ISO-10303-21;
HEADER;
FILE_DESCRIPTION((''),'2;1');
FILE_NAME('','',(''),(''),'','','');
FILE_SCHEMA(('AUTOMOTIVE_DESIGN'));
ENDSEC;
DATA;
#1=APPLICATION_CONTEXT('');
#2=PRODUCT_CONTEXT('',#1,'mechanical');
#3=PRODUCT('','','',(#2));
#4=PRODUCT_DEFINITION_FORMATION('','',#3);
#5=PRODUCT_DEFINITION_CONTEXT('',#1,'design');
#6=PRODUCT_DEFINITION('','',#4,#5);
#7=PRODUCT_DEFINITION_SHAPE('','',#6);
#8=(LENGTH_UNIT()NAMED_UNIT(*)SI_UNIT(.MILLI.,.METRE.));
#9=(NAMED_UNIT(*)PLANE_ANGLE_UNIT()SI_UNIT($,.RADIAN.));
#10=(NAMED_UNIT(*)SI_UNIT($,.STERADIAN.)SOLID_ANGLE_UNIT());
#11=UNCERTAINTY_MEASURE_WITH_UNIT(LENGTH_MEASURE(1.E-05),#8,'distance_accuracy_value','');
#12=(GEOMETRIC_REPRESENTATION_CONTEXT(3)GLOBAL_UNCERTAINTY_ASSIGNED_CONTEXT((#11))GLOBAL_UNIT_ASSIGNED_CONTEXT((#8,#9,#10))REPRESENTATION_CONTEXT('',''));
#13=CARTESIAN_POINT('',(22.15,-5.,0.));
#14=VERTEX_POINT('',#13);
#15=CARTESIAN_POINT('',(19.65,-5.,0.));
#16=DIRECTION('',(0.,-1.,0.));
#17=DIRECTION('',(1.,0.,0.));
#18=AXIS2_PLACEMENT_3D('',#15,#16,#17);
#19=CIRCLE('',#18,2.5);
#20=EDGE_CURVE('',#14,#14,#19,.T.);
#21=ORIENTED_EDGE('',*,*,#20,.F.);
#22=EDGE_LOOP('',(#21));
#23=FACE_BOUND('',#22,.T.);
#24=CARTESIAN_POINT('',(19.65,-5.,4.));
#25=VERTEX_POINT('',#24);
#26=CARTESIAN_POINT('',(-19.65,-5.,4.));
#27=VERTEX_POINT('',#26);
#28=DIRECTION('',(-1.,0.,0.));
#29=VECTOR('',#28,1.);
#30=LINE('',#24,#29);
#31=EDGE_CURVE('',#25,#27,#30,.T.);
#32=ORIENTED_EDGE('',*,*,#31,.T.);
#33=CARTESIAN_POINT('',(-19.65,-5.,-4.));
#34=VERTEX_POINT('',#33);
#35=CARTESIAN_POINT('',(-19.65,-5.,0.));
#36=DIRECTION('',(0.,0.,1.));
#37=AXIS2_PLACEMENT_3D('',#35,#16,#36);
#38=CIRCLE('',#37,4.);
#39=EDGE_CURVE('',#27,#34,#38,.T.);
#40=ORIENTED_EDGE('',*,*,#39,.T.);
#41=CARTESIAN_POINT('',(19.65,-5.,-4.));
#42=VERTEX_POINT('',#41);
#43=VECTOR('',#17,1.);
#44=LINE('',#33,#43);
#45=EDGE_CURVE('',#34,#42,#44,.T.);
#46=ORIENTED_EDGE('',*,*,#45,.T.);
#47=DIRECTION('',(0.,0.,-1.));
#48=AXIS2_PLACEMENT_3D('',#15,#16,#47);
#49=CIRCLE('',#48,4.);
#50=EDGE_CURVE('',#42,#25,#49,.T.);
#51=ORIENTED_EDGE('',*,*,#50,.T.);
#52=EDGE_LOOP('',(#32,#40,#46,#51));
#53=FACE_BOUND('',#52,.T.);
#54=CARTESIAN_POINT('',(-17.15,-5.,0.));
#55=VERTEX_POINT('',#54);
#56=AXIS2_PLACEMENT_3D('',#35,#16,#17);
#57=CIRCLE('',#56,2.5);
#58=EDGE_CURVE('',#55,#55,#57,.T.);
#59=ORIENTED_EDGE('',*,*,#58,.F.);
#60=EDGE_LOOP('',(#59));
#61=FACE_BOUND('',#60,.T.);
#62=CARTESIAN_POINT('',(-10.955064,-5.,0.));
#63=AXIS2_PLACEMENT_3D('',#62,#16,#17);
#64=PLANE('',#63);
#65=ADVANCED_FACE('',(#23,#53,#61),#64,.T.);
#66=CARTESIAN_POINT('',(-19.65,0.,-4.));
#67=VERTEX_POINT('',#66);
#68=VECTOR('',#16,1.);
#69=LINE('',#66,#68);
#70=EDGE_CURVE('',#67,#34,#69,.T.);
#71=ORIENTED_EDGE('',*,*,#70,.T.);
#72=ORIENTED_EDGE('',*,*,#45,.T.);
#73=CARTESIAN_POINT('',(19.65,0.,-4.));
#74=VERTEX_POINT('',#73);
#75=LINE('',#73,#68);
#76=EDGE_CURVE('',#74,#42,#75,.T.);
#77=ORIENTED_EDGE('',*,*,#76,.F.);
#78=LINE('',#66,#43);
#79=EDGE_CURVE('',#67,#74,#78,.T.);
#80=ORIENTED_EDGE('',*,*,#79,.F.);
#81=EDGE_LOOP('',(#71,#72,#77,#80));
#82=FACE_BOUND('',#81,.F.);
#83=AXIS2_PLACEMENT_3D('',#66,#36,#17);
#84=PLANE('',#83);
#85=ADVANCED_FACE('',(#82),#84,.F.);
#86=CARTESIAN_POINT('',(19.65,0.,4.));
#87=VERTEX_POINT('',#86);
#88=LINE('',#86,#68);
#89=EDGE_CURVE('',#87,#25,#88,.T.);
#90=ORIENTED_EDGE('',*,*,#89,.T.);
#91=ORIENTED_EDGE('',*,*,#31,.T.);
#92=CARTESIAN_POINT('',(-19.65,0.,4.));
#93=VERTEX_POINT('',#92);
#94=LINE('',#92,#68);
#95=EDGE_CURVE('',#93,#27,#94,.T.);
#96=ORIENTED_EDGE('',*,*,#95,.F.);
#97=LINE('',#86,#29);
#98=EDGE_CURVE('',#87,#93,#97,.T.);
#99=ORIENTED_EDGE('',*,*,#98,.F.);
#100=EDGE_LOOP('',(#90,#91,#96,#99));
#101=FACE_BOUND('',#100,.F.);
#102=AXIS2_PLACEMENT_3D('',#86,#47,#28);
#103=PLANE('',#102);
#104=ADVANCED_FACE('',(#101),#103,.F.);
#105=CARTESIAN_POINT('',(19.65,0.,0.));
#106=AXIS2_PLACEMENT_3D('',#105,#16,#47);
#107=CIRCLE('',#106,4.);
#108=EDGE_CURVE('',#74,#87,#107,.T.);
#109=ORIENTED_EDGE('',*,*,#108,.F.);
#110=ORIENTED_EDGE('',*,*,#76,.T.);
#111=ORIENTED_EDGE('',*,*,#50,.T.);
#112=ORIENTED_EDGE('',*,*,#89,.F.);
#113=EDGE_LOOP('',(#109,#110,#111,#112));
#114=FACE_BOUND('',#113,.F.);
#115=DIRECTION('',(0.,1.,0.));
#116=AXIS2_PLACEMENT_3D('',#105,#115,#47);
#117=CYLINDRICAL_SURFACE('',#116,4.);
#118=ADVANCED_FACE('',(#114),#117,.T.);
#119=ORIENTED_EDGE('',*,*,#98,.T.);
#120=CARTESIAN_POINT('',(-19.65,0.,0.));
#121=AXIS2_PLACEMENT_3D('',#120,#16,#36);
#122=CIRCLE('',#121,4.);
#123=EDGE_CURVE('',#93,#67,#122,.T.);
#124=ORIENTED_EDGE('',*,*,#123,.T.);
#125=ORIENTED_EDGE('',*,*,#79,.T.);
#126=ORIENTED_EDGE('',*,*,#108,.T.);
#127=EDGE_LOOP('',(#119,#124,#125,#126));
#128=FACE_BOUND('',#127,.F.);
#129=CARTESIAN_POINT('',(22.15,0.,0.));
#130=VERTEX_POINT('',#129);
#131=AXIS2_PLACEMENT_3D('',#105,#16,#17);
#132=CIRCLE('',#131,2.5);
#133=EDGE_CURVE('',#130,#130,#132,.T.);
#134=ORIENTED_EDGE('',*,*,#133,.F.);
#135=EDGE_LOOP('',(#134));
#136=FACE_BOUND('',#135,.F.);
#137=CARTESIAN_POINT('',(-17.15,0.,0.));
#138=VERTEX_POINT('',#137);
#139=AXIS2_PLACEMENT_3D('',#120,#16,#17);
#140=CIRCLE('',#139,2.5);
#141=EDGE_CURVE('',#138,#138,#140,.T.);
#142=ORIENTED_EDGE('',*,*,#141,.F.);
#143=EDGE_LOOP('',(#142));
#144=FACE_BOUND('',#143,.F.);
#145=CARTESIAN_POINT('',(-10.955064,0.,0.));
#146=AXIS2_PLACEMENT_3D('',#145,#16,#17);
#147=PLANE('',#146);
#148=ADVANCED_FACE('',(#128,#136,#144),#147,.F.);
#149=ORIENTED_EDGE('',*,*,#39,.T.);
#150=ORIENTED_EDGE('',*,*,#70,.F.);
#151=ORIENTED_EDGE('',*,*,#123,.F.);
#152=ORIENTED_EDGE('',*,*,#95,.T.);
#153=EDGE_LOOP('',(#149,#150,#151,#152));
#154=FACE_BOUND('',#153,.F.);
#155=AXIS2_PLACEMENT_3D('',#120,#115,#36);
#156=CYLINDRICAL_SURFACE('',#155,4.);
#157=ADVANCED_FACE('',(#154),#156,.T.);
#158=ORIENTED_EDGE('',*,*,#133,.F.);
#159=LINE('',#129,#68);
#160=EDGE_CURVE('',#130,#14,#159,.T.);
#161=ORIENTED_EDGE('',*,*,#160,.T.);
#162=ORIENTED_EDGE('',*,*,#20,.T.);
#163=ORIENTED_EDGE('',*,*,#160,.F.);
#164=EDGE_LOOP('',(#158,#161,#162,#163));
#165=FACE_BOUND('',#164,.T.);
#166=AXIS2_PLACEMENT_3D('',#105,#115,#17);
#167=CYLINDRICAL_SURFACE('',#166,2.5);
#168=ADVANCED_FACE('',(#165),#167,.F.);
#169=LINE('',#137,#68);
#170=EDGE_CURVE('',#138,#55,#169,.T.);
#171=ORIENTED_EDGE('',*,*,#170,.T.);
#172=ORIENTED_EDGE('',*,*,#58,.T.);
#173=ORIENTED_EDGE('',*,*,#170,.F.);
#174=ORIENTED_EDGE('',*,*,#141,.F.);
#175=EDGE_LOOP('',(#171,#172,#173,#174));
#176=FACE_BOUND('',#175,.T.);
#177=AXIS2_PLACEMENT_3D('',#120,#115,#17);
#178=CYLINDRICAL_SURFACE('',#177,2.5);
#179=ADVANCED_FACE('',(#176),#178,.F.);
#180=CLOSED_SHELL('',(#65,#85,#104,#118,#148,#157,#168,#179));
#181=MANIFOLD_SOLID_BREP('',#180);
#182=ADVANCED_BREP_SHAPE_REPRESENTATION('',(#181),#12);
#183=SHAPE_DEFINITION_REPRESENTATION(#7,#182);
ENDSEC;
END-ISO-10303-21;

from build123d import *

# Parameters (mm, degrees)
F0_R     = 2.5
F1_DEPTH = 5


with BuildPart() as f1:
    # F0 (on Front) → F1 (new body)
    with BuildSketch(Plane.XZ):
        with BuildLine():
            Line((0, 4), (-19.65, 4))
            ThreePointArc((-19.65, 4), (-23.65, 0), (-19.65, -4))
            Line((-19.65, -4), (0, -4))
            Line((0, -4), (0, 4))
        make_face()
        with Locations((-19.65, 0)):
            Circle(F0_R, mode=Mode.SUBTRACT)
        with BuildLine():
            Line((19.65, 4), (0, 4))
            Line((0, 4), (0, -4))
            Line((0, -4), (19.65, -4))
            ThreePointArc((19.65, -4), (23.65, 0), (19.65, 4))
        make_face()
        with Locations((19.65, 0)):
            Circle(F0_R, mode=Mode.SUBTRACT)
    extrude(amount=F1_DEPTH)


solid = f1.part
